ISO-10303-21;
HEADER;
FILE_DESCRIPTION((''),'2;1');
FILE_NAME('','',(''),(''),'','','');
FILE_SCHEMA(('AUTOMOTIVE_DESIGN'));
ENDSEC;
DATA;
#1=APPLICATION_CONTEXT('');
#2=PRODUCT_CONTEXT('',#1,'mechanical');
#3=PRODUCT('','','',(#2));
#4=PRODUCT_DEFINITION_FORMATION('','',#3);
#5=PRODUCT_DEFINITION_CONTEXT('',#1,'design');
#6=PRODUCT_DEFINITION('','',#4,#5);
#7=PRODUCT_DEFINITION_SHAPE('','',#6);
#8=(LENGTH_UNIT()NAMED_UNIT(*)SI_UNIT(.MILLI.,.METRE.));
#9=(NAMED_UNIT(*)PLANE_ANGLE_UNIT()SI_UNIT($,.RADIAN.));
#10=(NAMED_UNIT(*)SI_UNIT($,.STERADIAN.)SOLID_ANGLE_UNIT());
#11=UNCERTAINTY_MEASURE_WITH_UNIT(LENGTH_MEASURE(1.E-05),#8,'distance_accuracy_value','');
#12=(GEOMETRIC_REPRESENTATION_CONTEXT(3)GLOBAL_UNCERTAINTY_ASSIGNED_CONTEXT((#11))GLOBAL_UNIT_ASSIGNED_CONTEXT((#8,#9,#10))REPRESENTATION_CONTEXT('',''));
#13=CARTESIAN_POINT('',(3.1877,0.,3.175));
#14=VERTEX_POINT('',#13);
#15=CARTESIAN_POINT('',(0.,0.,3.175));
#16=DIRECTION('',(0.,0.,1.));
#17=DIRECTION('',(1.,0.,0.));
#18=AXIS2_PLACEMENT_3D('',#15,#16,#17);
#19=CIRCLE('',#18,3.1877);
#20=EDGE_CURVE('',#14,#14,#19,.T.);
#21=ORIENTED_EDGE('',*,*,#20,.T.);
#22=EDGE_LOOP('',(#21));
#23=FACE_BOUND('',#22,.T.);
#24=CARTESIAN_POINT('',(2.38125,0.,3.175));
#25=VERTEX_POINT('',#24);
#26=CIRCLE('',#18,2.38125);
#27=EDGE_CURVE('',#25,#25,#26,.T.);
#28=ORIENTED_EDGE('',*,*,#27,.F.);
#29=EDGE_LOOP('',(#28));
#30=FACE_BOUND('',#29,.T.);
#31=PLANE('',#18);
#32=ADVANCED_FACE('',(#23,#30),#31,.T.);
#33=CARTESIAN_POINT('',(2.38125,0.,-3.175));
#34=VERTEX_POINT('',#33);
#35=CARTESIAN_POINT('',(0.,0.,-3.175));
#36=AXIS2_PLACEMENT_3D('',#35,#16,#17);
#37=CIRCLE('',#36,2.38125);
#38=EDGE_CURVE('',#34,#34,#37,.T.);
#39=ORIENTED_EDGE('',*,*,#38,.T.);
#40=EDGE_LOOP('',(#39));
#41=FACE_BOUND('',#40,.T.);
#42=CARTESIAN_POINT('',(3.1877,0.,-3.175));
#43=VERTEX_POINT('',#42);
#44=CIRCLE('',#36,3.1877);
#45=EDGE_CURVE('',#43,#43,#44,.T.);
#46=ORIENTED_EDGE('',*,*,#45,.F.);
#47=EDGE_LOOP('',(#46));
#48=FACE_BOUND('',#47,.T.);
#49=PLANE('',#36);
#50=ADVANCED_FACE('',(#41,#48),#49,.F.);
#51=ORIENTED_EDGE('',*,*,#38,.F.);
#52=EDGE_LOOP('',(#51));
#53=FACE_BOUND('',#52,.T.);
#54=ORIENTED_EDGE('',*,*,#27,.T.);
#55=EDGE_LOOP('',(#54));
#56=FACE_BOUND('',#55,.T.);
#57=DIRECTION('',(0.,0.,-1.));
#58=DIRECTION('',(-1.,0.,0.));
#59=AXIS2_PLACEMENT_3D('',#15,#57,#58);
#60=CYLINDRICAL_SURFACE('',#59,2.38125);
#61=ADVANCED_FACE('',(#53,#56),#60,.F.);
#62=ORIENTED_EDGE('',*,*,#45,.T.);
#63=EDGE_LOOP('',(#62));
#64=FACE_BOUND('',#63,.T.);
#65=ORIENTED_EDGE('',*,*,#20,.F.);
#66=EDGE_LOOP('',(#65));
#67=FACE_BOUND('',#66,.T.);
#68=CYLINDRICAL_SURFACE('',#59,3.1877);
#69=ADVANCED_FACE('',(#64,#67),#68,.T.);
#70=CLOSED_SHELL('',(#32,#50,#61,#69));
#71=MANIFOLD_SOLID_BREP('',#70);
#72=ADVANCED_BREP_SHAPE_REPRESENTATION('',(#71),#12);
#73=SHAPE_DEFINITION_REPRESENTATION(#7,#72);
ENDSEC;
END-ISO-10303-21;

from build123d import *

# Parameters (mm, degrees)
SKETCH1_R      = 3.1877
SKETCH1_R_2    = 2.38125
EXTRUDE1_DEPTH = 3.175


with BuildPart() as part:
    # Sketch1 → Extrude1 (new body, symmetric)
    with BuildSketch(Plane.XY):
        Circle(SKETCH1_R)
        Circle(SKETCH1_R_2, mode=Mode.SUBTRACT)
    extrude(amount=EXTRUDE1_DEPTH, both=True)


solid = part.part
